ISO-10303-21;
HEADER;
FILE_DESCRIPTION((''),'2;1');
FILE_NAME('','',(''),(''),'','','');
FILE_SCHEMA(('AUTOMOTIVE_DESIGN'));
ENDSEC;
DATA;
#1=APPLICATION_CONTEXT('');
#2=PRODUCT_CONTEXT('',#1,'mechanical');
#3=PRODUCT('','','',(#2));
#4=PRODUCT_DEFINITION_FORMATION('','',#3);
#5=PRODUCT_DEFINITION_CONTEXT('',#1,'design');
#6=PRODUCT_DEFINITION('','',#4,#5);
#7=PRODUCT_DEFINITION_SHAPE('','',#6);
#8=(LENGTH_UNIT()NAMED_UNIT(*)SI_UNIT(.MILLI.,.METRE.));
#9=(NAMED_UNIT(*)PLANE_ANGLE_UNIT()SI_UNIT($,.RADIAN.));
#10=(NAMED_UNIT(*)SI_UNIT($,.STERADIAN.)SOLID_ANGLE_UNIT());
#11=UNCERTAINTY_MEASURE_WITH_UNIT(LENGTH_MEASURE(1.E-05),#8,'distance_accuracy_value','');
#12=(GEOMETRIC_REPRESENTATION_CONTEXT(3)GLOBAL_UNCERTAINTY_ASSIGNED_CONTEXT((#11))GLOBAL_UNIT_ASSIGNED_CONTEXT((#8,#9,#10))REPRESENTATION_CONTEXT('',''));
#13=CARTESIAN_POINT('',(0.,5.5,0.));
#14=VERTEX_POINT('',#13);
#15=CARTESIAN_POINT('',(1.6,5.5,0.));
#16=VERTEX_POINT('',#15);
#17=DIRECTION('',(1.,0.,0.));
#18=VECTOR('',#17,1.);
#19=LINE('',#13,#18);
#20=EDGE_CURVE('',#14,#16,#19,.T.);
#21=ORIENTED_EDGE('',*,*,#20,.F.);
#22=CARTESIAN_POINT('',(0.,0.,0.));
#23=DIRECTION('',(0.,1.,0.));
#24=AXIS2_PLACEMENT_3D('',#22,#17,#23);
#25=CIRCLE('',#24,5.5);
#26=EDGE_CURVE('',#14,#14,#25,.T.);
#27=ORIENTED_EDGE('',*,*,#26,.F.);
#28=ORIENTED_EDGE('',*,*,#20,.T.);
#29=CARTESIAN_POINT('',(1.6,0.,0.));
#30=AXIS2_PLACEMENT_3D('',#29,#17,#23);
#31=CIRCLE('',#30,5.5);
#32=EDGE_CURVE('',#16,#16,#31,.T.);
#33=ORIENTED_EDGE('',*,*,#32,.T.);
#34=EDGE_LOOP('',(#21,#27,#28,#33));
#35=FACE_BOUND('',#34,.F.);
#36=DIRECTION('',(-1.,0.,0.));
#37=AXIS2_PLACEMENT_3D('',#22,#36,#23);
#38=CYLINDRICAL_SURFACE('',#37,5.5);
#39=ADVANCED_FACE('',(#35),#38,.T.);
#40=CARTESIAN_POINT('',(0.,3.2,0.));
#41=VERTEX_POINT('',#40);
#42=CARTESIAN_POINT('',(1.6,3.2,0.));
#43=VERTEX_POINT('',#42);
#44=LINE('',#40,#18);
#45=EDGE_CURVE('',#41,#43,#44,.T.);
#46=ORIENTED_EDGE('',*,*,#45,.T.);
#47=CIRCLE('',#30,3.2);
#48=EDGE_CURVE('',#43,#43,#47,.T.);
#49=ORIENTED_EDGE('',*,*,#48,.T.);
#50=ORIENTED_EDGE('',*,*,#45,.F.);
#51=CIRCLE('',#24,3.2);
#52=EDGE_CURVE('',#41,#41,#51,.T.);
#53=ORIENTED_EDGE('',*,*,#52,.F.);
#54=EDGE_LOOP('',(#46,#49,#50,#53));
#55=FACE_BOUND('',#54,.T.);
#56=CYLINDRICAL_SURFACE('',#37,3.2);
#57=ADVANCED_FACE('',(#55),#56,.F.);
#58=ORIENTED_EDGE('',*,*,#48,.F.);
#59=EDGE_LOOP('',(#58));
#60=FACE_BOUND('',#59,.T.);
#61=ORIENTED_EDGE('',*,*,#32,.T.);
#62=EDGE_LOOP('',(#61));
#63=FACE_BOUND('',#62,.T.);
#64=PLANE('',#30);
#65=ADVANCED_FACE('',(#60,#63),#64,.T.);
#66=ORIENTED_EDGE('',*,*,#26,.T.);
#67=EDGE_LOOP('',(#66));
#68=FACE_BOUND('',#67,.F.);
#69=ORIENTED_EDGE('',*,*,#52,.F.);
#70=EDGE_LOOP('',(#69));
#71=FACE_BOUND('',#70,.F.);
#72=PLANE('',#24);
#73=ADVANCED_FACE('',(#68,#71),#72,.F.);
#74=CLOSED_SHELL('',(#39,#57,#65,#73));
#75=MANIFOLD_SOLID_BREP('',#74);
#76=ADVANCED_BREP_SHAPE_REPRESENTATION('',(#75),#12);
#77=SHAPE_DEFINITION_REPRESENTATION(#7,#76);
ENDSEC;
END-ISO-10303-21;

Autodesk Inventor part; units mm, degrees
ref_plane "YZ Plane" through (0, 0, 0) normal (1, 0, 0) x (0, 1, 0)
ref_plane "XZ Plane" through (0, 0, 0) normal (0, 1, 0) x (-1, 0, 0)
sketch "Szkic" plane through (0, 0, 0) normal (1, 0, 0) x (0, 1, 0)
  circle A0 centre (0, 0) radius 5.5
  circle A1 centre (0, 0) radius 3.2
  dimension "d0" = 6.4
  dimension "d1" = 11
extrude "Bryła" add sketch "Szkic" along normal blind 1.6
ref_plane "Work Plane1" through (0, 0, 0) normal (0, 0, 1) x (1, 0, 0)
equation "\"d0\" = SD1"
equation "\"d1\" = SD2"
equation "\"d2\" = SD"
equation "\"SD1\" = 6.4"
equation "\"SD2\" = 11"
equation "\"SD\" = 1.6"
equation "\"NND\" = 6"
properties part number "ISO 7092 - ST 6 - 140 HV" material "Stal nierdzewna"
